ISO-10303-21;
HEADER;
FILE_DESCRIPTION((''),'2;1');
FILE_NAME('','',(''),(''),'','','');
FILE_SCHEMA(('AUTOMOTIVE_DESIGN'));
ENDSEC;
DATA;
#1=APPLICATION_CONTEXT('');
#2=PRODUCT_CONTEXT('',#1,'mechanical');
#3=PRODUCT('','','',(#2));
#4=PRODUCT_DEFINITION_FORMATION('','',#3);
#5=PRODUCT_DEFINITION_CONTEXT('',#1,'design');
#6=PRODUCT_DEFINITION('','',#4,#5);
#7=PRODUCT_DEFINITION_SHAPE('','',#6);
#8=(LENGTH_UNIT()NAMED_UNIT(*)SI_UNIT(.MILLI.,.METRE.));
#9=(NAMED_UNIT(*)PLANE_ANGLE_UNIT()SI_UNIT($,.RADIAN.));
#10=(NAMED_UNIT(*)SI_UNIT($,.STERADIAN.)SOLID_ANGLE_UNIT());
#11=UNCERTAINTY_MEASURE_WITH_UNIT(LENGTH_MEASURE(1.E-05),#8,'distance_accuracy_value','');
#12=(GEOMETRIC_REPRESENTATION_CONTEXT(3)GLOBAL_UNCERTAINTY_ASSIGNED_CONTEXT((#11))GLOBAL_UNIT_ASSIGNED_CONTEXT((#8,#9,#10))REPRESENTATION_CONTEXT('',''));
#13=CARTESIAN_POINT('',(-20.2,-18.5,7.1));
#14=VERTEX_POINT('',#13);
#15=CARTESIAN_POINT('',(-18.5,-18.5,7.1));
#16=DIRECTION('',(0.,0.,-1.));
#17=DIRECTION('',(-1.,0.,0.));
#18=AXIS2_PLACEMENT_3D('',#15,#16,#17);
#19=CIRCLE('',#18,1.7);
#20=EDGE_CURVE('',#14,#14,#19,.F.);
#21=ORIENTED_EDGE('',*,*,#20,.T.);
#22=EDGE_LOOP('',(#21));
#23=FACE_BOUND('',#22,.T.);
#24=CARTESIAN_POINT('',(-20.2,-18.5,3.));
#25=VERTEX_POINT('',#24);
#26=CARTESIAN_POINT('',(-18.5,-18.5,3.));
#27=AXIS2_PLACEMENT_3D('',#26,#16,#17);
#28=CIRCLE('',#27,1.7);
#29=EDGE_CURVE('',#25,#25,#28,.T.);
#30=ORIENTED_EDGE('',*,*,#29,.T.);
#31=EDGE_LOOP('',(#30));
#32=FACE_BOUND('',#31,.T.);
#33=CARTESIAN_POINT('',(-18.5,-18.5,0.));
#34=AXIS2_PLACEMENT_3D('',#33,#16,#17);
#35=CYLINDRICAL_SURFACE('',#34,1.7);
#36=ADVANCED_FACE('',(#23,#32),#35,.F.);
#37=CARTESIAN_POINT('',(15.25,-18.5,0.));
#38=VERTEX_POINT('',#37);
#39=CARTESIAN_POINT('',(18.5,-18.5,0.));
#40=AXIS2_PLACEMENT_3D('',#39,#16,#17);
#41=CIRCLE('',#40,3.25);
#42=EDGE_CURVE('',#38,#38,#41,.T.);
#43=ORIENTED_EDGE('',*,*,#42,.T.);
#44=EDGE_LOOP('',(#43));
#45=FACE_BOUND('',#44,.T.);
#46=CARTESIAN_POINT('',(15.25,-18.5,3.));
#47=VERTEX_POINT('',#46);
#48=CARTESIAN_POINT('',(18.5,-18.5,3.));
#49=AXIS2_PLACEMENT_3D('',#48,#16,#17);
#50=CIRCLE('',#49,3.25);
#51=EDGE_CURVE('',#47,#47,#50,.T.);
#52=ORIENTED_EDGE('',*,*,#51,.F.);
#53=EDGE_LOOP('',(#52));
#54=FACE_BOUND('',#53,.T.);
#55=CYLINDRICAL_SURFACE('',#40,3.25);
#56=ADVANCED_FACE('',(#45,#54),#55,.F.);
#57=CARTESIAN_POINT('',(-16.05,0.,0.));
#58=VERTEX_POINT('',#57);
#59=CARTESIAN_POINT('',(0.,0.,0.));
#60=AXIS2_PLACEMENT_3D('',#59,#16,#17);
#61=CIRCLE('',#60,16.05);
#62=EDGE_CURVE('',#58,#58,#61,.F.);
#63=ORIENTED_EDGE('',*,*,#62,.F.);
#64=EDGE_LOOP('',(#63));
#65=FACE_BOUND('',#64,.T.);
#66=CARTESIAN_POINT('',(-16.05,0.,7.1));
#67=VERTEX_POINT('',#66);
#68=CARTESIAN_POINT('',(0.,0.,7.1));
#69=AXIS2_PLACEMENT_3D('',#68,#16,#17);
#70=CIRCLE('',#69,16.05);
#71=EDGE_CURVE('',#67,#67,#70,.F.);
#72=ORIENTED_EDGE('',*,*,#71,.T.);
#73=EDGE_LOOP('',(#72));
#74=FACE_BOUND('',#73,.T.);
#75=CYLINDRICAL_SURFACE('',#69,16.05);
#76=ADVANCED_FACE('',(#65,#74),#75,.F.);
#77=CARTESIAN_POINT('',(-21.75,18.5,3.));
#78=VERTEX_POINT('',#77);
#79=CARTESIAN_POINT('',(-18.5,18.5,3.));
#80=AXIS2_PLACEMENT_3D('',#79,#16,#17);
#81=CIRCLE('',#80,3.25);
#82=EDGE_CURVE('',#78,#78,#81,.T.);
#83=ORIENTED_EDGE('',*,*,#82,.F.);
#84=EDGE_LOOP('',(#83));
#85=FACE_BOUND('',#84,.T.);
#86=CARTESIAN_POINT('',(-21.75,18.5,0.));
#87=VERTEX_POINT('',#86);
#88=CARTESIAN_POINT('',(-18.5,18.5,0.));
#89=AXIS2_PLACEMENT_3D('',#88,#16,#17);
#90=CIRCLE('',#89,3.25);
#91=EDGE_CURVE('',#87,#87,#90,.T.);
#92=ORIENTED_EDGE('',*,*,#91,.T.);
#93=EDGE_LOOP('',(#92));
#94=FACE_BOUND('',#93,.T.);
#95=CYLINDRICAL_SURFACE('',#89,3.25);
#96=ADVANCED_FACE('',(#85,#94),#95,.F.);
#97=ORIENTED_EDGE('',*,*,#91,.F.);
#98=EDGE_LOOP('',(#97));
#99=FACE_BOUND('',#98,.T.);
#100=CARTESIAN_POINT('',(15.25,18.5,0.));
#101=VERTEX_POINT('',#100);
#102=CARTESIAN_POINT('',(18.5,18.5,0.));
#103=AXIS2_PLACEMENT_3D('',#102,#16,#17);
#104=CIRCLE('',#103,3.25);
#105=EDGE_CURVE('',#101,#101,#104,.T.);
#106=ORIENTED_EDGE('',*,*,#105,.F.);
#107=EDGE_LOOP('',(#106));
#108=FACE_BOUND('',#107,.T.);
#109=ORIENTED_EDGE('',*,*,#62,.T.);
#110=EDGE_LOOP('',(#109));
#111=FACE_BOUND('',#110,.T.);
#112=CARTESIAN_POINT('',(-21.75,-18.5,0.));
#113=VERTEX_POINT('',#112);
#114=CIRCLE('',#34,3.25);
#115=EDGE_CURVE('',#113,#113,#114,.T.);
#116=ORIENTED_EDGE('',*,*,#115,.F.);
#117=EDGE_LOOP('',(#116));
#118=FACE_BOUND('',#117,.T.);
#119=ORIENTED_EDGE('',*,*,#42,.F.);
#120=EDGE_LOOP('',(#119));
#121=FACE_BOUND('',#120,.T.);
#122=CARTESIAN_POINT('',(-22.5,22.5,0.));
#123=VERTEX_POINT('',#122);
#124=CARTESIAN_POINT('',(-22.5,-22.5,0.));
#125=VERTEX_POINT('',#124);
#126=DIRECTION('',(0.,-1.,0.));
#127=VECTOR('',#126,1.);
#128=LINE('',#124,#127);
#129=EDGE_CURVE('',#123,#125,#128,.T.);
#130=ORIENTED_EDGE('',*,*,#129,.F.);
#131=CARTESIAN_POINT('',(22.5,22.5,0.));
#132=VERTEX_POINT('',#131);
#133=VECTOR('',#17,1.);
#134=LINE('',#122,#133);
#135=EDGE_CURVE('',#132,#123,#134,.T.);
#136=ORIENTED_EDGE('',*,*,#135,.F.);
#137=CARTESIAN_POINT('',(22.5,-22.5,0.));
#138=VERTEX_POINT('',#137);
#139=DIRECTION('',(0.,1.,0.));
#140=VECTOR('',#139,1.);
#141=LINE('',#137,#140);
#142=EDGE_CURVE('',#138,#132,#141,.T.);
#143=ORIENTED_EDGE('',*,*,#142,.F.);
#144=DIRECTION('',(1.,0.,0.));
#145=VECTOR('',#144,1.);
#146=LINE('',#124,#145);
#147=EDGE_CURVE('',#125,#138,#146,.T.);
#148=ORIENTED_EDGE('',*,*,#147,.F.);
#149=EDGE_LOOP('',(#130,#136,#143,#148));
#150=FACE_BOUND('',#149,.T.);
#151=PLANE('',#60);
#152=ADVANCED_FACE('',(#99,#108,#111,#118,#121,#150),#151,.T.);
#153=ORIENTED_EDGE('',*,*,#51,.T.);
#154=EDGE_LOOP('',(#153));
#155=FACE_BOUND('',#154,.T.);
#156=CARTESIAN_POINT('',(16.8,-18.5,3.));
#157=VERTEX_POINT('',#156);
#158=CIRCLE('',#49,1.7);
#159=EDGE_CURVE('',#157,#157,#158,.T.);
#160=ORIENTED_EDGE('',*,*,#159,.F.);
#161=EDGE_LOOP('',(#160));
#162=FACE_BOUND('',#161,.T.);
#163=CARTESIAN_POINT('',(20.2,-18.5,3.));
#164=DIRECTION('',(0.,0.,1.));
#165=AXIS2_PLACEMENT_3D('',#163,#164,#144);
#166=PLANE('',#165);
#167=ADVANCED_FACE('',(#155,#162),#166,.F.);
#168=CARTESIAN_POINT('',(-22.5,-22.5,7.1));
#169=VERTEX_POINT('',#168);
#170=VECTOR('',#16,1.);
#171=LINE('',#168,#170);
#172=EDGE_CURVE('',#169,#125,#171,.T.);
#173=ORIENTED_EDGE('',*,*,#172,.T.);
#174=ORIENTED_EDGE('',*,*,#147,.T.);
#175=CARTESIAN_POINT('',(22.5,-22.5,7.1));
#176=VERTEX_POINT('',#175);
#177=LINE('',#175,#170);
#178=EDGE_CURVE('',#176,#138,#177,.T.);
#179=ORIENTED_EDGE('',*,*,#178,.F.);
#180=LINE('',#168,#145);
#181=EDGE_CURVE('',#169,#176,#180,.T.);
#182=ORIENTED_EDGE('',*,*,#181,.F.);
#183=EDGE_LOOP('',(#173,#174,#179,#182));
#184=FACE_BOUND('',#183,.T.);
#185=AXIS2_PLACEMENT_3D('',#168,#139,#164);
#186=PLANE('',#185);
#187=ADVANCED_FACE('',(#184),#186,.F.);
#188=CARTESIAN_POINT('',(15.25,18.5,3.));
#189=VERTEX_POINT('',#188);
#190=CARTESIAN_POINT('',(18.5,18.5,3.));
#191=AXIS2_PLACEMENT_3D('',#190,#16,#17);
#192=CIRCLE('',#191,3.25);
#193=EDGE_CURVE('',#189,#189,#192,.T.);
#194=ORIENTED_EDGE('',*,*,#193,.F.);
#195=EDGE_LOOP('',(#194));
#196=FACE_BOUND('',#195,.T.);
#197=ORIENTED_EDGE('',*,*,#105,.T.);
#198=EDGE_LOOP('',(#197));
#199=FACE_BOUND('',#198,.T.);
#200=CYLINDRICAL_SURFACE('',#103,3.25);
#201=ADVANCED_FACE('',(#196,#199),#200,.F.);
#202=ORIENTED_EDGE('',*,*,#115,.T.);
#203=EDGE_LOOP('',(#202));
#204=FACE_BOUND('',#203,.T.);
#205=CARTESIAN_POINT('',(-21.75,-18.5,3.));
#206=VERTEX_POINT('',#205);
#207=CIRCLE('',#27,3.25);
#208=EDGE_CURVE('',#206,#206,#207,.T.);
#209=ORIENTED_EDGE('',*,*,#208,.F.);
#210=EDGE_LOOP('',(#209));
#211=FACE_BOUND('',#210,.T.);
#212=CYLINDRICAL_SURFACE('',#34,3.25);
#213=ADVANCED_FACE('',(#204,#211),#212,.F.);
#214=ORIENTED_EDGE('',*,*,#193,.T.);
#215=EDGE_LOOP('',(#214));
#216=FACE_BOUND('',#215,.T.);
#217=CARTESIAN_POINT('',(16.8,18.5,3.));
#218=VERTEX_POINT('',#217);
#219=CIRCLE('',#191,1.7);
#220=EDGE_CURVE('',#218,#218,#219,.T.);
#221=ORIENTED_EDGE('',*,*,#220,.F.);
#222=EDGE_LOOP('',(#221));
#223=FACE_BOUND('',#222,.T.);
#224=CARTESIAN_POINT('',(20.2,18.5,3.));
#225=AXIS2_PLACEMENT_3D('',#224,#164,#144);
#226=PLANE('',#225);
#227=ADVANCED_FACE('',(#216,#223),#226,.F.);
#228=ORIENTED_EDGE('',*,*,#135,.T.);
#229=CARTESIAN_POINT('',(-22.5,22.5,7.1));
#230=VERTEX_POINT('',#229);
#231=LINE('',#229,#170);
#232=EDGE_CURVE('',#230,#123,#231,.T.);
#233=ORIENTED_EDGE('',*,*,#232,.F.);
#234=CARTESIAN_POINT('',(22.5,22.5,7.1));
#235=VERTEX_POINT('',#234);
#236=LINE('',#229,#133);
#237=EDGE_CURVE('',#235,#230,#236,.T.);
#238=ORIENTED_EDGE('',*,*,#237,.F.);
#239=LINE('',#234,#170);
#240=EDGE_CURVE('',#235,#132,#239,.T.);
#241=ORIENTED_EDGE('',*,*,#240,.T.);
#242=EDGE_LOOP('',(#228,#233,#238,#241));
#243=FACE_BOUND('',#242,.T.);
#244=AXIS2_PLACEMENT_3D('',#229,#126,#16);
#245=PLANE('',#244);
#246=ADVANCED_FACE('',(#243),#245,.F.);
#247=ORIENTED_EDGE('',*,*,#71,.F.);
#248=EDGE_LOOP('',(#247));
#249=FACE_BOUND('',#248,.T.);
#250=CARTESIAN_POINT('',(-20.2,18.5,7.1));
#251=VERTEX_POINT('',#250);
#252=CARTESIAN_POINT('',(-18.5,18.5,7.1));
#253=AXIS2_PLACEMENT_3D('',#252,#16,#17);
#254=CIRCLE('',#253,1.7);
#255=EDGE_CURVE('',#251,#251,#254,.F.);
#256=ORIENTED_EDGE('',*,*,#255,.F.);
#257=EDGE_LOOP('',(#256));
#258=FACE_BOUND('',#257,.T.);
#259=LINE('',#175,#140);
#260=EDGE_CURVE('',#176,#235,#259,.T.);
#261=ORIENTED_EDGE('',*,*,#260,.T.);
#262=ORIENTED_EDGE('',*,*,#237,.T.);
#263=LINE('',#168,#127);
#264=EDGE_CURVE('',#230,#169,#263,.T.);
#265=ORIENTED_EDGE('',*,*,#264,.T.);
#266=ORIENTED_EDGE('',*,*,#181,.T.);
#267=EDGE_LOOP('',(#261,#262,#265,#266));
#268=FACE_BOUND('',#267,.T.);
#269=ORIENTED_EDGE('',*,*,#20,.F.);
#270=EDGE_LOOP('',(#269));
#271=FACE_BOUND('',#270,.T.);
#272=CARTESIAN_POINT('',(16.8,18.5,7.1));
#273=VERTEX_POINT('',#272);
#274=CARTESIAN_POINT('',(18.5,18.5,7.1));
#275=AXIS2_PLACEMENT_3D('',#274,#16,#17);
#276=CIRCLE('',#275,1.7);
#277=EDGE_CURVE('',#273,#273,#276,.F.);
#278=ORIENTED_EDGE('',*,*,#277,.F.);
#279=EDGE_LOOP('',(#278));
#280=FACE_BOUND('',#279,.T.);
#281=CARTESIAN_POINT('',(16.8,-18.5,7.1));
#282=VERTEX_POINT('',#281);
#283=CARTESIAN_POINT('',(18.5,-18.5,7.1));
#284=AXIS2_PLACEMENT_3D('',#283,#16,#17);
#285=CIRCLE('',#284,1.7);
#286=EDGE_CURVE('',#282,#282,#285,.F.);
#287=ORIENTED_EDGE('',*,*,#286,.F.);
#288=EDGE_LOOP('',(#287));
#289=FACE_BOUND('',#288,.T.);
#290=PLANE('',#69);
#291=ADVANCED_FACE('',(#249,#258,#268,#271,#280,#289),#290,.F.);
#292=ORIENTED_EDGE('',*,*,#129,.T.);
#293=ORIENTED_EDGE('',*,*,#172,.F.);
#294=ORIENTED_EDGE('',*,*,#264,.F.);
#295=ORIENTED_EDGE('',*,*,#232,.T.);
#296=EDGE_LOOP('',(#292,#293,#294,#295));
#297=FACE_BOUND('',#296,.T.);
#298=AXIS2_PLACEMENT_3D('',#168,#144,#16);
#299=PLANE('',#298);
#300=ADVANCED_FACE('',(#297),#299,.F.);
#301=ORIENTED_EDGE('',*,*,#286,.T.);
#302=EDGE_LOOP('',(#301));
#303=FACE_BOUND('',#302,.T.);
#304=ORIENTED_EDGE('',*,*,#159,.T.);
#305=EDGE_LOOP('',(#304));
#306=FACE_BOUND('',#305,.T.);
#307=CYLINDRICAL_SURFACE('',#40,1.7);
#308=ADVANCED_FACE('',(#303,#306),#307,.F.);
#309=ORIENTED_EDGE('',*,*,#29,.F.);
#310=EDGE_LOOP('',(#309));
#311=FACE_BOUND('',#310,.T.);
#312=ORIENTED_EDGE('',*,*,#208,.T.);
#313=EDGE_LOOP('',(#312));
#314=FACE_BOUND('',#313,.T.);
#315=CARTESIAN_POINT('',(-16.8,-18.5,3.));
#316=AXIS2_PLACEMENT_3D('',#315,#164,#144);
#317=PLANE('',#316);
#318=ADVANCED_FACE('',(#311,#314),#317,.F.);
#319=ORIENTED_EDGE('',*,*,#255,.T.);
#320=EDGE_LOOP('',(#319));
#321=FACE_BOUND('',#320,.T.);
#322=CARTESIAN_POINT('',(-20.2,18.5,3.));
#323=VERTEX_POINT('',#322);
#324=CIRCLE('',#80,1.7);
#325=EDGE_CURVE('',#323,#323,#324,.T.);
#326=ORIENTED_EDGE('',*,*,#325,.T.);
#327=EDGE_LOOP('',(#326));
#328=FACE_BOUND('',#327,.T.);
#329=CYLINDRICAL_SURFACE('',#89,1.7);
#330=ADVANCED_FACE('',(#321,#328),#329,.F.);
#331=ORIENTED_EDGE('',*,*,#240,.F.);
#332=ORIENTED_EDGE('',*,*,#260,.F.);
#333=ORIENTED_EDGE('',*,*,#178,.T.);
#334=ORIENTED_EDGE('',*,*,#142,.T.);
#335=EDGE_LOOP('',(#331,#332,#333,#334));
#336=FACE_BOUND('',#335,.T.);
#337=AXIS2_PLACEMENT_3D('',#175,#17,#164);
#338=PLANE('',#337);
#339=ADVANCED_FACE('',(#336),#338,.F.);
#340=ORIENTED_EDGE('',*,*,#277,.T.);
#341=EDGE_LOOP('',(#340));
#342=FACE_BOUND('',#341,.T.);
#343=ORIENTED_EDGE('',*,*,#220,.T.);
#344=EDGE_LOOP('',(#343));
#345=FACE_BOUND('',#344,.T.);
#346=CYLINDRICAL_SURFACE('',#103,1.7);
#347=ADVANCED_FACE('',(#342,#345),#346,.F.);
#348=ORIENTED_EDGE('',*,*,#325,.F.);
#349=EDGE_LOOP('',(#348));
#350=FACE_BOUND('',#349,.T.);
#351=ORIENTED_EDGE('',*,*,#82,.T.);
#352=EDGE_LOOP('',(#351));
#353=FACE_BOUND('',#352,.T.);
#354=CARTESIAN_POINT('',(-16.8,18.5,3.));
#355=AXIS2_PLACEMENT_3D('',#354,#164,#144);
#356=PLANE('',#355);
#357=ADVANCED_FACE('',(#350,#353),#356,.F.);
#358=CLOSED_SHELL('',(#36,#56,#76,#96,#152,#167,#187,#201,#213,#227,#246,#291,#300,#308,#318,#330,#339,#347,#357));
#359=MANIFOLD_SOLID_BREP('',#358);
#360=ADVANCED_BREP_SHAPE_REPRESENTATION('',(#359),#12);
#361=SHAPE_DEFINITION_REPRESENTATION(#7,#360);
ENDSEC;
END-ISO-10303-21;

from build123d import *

# Parameters (mm, degrees)
SKETCH1_W                      = 45
SKETCH1_H                      = 45
SKETCH1_R                      = 16
BOSS_EXTRUDE1_DEPTH            = 7.1
M3X0_5_TAPPED_HOLE1_D          = 2.5
M3X0_5_TAPPED_HOLE1_DEPTH      = 15
M3X0_5_TAPPED_HOLE1_TIP        = 0.751075774
CBORE_FOR_M3_SHCS1_D           = 3.4
CBORE_FOR_M3_SHCS1_DEPTH       = 7.1
CBORE_FOR_M3_SHCS1_CBORE_D     = 6.5
CBORE_FOR_M3_SHCS1_CBORE_DEPTH = 3
CBORE_FOR_M3_SHCS1_TIP         = 1.021463052
F_3D_PRINTING_TOLERANCE_BY     = 0.05


with BuildPart() as part:
    # Sketch1 → Boss-Extrude1 (new body)
    with BuildSketch(Plane.XY):
        Rectangle(SKETCH1_W, SKETCH1_H)
        Circle(SKETCH1_R, mode=Mode.SUBTRACT)
    extrude(amount=BOSS_EXTRUDE1_DEPTH)

    # M3x0.5 Tapped Hole1
    with Locations(Plane(origin=(0, 0, 0), x_dir=(-1, 0, 0), z_dir=(0, 0, -1))):
        with Locations((-18.5, 18.5), (-18.5, -18.5), (18.5, -18.5), (18.5, 18.5)):
            Hole(M3X0_5_TAPPED_HOLE1_D / 2, depth=M3X0_5_TAPPED_HOLE1_DEPTH)
            with Locations((0, 0, -(M3X0_5_TAPPED_HOLE1_DEPTH + M3X0_5_TAPPED_HOLE1_TIP / 2))):  # 118° drill point
                Cone(0, M3X0_5_TAPPED_HOLE1_D / 2, M3X0_5_TAPPED_HOLE1_TIP, mode=Mode.SUBTRACT)

    # CBORE for M3 SHCS1
    with Locations(Plane(origin=(0, 0, 0), x_dir=(-1, 0, 0), z_dir=(0, 0, -1))):
        with Locations((-18.5, 18.5), (18.5, 18.5), (18.5, -18.5), (-18.5, -18.5)):
            CounterBoreHole(CBORE_FOR_M3_SHCS1_D / 2, CBORE_FOR_M3_SHCS1_CBORE_D / 2, CBORE_FOR_M3_SHCS1_CBORE_DEPTH, depth=CBORE_FOR_M3_SHCS1_DEPTH)
            with Locations((0, 0, -(CBORE_FOR_M3_SHCS1_DEPTH + CBORE_FOR_M3_SHCS1_TIP / 2))):  # 118° drill point
                Cone(0, CBORE_FOR_M3_SHCS1_D / 2, CBORE_FOR_M3_SHCS1_TIP, mode=Mode.SUBTRACT)

    # 3D Printing Tolerance: a curved face moved inward by 0.05
    add(Solid.thicken(part.faces().sort_by_distance((-16, 0, 3.55))[0], -F_3D_PRINTING_TOLERANCE_BY), mode=Mode.SUBTRACT)


solid = part.part
